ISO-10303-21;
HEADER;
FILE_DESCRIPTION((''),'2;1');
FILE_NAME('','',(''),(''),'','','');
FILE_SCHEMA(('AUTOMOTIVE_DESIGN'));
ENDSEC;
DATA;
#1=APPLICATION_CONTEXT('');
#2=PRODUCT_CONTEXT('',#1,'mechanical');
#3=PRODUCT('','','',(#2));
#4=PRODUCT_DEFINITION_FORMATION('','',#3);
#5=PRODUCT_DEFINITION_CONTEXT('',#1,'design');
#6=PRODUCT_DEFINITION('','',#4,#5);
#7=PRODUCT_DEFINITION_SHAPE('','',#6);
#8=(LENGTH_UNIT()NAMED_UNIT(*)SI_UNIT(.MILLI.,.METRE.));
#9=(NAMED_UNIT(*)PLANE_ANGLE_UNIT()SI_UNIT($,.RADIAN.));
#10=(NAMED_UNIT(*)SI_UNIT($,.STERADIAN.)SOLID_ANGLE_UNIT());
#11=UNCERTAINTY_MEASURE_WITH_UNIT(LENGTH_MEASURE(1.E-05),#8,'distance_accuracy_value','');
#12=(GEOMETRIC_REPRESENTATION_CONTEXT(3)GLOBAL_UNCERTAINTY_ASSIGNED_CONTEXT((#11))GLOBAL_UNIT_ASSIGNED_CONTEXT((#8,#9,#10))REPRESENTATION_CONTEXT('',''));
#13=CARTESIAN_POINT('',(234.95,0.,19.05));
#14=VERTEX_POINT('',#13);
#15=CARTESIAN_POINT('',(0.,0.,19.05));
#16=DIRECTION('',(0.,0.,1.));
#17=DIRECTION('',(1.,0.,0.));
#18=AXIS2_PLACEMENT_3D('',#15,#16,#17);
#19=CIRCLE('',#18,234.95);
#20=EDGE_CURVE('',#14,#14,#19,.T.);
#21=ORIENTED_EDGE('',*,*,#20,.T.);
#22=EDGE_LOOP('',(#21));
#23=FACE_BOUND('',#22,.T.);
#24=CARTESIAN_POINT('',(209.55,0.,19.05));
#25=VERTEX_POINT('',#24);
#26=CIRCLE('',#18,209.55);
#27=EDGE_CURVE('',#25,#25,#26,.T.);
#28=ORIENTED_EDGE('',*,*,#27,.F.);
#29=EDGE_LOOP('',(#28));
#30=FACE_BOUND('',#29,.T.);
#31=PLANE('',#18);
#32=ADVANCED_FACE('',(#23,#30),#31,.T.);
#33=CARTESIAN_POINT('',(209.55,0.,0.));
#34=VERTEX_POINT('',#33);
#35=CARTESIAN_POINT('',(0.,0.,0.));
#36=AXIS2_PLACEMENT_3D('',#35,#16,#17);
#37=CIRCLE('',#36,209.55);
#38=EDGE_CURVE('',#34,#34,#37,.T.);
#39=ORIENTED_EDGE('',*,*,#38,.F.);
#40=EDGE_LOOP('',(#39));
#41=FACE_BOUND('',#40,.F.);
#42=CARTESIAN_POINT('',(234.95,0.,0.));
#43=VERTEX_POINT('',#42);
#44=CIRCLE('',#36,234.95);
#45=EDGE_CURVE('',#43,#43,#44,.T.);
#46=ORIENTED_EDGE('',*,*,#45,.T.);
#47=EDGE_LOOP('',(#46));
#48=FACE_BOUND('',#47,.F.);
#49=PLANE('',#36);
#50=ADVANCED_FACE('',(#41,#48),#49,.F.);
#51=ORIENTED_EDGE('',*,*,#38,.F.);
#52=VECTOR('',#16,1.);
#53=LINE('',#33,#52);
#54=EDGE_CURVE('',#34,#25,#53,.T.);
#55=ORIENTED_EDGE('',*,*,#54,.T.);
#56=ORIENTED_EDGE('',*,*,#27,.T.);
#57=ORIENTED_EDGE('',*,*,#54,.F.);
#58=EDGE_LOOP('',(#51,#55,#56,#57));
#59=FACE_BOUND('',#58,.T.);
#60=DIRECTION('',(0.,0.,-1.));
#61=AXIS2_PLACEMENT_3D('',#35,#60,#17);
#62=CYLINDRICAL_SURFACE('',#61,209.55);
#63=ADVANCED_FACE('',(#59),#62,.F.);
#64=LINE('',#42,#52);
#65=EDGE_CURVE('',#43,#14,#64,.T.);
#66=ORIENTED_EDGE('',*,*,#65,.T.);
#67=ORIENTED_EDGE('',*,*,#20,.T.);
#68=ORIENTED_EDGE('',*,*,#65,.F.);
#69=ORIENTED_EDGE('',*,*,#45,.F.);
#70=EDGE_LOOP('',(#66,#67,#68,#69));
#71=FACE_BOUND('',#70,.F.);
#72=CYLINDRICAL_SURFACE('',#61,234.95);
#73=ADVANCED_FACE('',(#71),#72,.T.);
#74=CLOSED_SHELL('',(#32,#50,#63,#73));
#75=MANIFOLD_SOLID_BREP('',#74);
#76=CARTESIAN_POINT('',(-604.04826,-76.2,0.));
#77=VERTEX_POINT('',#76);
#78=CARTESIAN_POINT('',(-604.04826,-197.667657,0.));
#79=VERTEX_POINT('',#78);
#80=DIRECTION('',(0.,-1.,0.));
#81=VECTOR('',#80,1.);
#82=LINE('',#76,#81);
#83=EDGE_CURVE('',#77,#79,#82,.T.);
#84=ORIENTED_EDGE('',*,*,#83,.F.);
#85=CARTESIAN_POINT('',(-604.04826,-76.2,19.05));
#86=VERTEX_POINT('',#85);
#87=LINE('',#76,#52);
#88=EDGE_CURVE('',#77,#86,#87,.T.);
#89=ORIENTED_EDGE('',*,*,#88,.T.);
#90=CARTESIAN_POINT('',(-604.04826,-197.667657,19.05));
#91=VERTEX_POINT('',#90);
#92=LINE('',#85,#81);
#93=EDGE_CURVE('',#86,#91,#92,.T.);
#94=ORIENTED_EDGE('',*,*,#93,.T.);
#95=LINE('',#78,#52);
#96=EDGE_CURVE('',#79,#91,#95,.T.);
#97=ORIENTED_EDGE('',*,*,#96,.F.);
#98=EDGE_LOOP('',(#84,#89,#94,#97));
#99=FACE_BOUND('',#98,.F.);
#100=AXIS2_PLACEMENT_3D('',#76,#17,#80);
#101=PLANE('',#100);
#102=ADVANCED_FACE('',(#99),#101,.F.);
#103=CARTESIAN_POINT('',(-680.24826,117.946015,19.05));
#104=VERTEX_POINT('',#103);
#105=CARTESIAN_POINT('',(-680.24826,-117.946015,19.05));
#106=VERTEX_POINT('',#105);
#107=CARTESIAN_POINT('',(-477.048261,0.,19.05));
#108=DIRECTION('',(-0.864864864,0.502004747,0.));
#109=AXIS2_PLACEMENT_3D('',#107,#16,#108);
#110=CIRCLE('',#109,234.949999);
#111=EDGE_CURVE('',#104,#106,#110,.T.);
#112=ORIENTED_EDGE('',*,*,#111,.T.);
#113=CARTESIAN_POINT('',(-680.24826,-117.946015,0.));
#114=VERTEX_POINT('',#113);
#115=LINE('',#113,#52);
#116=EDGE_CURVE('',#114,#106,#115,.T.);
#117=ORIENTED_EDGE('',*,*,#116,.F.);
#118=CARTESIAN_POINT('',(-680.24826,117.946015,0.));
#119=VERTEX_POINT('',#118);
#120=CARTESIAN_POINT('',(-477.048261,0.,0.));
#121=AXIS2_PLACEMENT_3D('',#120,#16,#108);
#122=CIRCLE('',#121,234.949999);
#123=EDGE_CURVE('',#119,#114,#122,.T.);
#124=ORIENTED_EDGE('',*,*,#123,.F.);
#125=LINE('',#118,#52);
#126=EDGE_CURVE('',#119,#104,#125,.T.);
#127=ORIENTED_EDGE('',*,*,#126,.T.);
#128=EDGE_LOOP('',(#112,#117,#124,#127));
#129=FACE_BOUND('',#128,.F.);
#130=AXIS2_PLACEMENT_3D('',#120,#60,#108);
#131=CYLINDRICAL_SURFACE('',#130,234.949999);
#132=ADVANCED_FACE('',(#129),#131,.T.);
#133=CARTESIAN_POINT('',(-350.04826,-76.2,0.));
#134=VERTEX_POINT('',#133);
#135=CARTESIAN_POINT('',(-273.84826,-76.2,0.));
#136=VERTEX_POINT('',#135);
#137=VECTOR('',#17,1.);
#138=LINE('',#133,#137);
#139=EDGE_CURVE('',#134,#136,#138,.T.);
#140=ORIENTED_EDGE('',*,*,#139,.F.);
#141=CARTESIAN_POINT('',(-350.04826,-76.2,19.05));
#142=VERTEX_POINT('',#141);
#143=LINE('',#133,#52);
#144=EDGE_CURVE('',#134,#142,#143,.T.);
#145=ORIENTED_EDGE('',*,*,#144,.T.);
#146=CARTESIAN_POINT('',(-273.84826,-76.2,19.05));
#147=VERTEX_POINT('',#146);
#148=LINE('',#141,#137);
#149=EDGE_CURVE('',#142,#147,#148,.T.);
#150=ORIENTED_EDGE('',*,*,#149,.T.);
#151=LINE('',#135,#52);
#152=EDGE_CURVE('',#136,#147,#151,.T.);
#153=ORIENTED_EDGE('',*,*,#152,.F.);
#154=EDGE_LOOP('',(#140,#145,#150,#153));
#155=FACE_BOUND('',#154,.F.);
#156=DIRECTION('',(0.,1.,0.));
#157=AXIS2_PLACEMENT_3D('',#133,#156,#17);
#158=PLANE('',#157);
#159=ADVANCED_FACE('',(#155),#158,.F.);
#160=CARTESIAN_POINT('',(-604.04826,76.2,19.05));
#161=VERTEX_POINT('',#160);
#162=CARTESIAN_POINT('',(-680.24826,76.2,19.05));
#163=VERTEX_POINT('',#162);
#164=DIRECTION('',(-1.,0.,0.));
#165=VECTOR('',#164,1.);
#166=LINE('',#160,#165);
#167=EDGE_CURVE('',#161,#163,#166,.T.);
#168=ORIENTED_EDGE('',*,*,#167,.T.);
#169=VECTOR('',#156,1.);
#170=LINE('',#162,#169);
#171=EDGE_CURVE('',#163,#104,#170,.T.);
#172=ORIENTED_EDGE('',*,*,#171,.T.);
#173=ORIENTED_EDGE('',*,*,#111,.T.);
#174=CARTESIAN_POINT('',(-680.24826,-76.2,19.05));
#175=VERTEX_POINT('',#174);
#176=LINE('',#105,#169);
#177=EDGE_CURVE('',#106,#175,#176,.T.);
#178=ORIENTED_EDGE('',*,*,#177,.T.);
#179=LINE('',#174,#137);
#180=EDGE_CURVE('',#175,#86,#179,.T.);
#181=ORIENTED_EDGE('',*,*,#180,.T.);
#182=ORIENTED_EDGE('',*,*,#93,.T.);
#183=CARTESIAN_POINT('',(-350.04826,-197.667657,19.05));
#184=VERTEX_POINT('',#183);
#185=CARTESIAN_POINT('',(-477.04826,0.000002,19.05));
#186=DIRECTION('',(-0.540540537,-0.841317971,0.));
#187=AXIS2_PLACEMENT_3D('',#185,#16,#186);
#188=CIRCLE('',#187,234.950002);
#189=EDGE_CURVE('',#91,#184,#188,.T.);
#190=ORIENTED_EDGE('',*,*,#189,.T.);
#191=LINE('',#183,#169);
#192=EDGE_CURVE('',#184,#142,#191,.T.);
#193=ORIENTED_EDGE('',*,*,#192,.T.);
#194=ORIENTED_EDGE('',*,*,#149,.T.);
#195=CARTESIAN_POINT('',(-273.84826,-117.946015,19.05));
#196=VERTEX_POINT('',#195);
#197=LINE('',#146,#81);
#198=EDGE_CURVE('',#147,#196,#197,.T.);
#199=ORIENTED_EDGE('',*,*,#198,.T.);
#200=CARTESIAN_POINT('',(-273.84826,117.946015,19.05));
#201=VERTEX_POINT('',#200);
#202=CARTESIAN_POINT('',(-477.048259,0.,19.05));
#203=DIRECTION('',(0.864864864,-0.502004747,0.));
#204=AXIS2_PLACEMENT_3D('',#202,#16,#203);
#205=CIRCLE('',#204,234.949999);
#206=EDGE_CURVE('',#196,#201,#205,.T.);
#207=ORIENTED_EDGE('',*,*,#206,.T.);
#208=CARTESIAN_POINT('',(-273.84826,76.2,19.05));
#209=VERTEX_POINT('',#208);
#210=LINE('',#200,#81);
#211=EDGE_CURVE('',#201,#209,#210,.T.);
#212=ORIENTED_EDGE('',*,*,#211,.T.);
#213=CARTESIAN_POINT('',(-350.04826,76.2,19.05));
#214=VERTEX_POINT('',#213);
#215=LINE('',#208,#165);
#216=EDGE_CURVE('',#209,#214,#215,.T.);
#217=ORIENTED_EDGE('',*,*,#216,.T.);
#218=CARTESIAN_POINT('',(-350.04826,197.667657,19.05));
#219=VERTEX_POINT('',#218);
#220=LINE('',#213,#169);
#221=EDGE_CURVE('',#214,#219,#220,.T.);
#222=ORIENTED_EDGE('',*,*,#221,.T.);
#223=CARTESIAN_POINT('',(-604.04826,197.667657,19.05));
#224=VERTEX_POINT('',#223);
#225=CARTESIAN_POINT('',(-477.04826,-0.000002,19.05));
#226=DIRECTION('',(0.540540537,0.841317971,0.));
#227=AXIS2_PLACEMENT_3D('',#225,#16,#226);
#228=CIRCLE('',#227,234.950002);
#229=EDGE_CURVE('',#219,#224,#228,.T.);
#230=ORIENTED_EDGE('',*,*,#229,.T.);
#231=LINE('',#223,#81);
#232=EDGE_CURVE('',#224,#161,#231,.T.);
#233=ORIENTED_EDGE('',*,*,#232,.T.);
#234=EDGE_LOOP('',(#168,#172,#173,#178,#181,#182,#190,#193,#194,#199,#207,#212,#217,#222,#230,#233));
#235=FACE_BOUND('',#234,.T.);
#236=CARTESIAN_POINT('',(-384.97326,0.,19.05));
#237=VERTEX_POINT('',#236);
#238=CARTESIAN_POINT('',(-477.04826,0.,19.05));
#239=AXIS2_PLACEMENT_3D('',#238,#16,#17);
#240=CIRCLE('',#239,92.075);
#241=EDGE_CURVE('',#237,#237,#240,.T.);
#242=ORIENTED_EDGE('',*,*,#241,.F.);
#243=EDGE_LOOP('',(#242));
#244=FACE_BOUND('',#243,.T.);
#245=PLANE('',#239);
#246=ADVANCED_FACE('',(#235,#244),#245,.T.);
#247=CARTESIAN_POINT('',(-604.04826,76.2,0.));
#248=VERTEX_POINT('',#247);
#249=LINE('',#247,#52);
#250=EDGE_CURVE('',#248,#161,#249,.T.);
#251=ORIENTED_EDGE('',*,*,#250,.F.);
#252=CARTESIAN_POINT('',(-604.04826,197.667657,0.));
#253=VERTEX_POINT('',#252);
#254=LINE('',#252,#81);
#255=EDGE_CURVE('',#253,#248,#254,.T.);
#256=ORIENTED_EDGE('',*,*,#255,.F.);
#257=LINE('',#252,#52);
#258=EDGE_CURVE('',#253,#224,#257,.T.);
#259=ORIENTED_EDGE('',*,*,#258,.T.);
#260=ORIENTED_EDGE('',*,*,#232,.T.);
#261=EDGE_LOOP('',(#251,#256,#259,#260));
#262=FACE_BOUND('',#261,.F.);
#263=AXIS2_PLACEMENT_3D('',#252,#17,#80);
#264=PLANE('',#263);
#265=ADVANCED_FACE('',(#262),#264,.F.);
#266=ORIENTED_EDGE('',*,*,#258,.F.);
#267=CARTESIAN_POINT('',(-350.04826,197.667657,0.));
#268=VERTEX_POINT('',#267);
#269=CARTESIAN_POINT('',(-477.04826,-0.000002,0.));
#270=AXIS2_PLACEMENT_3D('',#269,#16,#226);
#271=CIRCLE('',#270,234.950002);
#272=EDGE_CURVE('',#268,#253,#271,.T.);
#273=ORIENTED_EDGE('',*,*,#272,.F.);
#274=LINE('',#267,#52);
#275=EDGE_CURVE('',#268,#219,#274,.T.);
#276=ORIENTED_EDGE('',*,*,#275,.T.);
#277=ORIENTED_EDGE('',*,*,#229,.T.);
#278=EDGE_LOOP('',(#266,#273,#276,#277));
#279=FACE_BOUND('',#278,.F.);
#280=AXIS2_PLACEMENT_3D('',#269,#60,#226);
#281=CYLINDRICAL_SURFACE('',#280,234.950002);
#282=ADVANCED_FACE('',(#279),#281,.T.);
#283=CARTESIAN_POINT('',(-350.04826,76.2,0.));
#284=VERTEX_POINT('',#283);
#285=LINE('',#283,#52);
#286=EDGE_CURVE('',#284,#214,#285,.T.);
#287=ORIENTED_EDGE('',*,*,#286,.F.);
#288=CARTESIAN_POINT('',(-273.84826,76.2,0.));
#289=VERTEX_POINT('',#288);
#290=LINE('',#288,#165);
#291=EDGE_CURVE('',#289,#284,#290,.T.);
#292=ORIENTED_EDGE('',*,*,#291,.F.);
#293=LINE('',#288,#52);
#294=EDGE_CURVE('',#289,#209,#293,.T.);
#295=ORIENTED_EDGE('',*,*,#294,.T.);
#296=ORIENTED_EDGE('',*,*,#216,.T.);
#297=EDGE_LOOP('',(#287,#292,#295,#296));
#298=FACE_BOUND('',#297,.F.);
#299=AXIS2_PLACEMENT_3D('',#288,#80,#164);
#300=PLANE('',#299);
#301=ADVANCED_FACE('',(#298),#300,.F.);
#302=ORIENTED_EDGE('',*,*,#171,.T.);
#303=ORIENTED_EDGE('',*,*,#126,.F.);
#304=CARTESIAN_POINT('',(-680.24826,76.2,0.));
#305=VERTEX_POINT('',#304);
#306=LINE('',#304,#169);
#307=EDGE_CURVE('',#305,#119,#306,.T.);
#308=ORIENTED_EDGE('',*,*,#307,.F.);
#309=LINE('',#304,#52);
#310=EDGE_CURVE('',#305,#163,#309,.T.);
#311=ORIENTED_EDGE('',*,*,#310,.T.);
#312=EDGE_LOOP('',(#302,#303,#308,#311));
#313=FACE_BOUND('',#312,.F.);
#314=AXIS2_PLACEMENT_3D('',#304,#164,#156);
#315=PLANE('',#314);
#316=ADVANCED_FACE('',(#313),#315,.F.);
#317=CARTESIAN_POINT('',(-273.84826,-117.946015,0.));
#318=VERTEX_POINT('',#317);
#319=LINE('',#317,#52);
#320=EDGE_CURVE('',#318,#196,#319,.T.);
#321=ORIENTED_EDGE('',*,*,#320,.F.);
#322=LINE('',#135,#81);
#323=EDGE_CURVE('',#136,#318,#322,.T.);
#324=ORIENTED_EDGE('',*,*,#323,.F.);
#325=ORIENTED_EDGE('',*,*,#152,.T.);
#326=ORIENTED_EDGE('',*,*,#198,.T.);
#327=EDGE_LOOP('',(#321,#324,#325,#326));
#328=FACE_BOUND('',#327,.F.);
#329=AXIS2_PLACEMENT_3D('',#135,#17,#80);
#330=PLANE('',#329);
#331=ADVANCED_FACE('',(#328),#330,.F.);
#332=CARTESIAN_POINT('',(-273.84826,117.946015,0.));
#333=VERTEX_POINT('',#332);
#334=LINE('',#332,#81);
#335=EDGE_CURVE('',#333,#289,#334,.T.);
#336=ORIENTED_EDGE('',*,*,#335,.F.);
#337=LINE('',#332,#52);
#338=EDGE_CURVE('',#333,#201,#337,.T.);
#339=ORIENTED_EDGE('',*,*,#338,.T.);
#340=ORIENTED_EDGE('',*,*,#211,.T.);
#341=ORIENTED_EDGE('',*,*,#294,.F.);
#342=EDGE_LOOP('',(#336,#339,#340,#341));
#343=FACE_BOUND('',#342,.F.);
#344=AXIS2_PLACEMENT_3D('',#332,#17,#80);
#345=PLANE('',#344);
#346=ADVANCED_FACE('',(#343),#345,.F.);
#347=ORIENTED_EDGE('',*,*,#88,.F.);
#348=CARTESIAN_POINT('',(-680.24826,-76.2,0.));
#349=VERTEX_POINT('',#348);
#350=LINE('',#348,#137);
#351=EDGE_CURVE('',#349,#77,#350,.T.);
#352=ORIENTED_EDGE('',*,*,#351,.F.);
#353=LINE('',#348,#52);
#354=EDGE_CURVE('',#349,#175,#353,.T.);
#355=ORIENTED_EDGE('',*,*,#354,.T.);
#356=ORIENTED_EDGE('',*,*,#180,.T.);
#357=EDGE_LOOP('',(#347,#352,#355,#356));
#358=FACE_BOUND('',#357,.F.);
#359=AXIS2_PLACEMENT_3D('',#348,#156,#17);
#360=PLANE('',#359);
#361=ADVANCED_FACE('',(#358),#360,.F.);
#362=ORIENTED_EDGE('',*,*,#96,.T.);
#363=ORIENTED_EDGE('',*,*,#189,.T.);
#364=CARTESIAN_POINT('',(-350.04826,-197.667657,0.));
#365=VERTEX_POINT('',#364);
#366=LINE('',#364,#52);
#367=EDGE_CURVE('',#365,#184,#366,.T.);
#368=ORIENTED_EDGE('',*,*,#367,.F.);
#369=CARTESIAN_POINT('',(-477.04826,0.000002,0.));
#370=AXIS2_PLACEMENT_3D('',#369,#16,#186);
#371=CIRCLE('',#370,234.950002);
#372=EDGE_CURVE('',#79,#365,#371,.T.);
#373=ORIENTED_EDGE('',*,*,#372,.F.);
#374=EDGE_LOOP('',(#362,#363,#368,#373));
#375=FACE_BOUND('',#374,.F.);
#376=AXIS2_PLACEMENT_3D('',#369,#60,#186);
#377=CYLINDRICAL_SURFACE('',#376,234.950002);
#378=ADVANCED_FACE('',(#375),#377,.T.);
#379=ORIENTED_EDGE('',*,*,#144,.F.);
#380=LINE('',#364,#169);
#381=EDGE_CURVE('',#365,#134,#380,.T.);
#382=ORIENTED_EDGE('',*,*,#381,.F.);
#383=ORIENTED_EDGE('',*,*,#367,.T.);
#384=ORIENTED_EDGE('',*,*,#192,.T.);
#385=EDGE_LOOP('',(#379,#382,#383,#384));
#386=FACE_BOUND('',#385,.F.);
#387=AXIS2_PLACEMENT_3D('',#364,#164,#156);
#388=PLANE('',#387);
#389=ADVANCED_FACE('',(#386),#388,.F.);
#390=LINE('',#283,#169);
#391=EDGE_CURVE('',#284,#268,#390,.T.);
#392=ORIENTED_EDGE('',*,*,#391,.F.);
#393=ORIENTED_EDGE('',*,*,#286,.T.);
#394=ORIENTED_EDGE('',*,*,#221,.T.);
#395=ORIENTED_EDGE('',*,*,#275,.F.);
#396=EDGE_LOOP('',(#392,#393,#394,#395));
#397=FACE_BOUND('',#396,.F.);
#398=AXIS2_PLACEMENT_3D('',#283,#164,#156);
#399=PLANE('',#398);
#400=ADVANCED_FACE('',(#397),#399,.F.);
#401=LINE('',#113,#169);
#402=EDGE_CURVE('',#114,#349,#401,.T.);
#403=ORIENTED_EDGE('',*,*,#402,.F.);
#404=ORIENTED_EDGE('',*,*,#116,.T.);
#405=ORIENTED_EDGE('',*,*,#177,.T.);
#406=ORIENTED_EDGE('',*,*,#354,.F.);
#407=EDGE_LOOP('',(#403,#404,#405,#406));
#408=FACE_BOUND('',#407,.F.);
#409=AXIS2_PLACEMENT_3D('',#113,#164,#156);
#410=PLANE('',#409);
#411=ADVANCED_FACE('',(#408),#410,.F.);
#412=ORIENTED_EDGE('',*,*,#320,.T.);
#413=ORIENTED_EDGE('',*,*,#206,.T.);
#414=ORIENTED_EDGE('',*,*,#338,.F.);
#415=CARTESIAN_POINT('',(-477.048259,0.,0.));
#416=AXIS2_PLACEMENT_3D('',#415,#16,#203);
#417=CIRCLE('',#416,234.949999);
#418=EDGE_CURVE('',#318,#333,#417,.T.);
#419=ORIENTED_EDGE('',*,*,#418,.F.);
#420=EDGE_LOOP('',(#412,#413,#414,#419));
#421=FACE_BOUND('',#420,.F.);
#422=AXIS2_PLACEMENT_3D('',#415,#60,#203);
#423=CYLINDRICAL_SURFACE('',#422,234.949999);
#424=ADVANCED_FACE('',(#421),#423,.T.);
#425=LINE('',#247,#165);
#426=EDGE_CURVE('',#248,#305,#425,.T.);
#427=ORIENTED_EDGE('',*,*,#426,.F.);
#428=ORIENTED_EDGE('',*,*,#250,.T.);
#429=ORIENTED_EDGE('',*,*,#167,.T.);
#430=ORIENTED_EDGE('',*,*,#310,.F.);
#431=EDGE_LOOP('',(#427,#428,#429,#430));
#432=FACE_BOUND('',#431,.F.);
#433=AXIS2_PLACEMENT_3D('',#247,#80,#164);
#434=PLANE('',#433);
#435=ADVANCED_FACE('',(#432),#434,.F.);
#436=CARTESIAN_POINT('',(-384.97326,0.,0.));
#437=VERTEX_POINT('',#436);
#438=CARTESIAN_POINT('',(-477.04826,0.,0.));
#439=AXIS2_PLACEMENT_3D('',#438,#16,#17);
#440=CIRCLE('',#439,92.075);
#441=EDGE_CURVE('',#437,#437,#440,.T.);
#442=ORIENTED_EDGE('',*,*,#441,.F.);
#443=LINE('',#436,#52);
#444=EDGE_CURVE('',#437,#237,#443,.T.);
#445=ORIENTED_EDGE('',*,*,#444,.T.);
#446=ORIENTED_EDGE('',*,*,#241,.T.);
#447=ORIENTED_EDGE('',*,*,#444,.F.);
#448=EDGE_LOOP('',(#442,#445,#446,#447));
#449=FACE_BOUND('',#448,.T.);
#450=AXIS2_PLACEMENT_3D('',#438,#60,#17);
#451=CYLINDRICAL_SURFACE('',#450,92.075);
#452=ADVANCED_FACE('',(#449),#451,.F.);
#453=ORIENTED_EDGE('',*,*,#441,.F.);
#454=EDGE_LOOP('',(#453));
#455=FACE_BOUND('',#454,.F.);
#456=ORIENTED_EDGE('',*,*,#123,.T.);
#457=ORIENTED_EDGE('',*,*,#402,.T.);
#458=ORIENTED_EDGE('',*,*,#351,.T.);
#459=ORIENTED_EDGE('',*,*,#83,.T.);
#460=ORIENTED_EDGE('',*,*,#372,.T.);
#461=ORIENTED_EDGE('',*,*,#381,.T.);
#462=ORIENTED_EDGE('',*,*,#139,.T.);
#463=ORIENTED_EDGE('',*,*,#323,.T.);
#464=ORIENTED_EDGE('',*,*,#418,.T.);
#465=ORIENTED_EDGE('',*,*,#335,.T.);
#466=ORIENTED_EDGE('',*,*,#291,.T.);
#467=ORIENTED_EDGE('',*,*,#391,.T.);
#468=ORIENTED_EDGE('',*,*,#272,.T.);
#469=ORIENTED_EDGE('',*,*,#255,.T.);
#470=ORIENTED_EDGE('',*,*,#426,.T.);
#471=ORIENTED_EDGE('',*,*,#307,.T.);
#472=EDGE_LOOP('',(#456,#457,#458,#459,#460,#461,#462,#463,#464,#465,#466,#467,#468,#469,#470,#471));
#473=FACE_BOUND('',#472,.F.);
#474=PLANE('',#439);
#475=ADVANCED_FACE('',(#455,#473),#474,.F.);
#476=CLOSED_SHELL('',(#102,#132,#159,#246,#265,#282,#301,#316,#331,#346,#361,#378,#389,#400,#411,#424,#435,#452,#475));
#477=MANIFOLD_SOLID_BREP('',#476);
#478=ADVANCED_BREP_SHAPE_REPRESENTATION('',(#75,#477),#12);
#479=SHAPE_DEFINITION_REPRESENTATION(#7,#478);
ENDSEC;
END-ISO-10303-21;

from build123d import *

# Parameters (mm, degrees)
F0_R     = 234.95
F0_R_2   = 209.55
F1_DEPTH = 19.05
F2_R     = 92.075
F3_DEPTH = 19.05


with BuildPart() as f1:
    # F0 (on Top) → F1 (new body)
    with BuildSketch(Plane.XY):
        Circle(F0_R)
        Circle(F0_R_2, mode=Mode.SUBTRACT)
    extrude(amount=F1_DEPTH)


with BuildPart() as f3:
    # F2 (on Top) → F3 (new body)
    with BuildSketch(Plane.XY):
        with BuildLine():
            Line((-350.04826, 76.2), (-350.04826, 197.667657))
            ThreePointArc((-350.04826, 197.667657), (-477.04826, 234.95), (-604.04826, 197.667657))
            Line((-604.04826, 197.667657), (-604.04826, 76.2))
            Line((-604.04826, 76.2), (-680.24826, 76.2))
            Line((-680.24826, 76.2), (-680.24826, 117.946015))
            ThreePointArc((-680.24826, 117.946015), (-711.99826, 0), (-680.24826, -117.946015))
            Line((-680.24826, -117.946015), (-680.24826, -76.2))
            Line((-680.24826, -76.2), (-604.04826, -76.2))
            Line((-604.04826, -76.2), (-604.04826, -197.667657))
            ThreePointArc((-604.04826, -197.667657), (-477.04826, -234.95), (-350.04826, -197.667657))
            Line((-350.04826, -197.667657), (-350.04826, -76.2))
            Line((-350.04826, -76.2), (-273.84826, -76.2))
            Line((-273.84826, -76.2), (-273.84826, -117.946015))
            ThreePointArc((-273.84826, -117.946015), (-242.09826, 0), (-273.84826, 117.946015))
            Line((-273.84826, 117.946015), (-273.84826, 76.2))
            Line((-273.84826, 76.2), (-350.04826, 76.2))
        make_face()
        with Locations((-477.04826, 0)):
            Circle(F2_R, mode=Mode.SUBTRACT)
    extrude(amount=F3_DEPTH)


solid = Compound([f1.part, f3.part])
